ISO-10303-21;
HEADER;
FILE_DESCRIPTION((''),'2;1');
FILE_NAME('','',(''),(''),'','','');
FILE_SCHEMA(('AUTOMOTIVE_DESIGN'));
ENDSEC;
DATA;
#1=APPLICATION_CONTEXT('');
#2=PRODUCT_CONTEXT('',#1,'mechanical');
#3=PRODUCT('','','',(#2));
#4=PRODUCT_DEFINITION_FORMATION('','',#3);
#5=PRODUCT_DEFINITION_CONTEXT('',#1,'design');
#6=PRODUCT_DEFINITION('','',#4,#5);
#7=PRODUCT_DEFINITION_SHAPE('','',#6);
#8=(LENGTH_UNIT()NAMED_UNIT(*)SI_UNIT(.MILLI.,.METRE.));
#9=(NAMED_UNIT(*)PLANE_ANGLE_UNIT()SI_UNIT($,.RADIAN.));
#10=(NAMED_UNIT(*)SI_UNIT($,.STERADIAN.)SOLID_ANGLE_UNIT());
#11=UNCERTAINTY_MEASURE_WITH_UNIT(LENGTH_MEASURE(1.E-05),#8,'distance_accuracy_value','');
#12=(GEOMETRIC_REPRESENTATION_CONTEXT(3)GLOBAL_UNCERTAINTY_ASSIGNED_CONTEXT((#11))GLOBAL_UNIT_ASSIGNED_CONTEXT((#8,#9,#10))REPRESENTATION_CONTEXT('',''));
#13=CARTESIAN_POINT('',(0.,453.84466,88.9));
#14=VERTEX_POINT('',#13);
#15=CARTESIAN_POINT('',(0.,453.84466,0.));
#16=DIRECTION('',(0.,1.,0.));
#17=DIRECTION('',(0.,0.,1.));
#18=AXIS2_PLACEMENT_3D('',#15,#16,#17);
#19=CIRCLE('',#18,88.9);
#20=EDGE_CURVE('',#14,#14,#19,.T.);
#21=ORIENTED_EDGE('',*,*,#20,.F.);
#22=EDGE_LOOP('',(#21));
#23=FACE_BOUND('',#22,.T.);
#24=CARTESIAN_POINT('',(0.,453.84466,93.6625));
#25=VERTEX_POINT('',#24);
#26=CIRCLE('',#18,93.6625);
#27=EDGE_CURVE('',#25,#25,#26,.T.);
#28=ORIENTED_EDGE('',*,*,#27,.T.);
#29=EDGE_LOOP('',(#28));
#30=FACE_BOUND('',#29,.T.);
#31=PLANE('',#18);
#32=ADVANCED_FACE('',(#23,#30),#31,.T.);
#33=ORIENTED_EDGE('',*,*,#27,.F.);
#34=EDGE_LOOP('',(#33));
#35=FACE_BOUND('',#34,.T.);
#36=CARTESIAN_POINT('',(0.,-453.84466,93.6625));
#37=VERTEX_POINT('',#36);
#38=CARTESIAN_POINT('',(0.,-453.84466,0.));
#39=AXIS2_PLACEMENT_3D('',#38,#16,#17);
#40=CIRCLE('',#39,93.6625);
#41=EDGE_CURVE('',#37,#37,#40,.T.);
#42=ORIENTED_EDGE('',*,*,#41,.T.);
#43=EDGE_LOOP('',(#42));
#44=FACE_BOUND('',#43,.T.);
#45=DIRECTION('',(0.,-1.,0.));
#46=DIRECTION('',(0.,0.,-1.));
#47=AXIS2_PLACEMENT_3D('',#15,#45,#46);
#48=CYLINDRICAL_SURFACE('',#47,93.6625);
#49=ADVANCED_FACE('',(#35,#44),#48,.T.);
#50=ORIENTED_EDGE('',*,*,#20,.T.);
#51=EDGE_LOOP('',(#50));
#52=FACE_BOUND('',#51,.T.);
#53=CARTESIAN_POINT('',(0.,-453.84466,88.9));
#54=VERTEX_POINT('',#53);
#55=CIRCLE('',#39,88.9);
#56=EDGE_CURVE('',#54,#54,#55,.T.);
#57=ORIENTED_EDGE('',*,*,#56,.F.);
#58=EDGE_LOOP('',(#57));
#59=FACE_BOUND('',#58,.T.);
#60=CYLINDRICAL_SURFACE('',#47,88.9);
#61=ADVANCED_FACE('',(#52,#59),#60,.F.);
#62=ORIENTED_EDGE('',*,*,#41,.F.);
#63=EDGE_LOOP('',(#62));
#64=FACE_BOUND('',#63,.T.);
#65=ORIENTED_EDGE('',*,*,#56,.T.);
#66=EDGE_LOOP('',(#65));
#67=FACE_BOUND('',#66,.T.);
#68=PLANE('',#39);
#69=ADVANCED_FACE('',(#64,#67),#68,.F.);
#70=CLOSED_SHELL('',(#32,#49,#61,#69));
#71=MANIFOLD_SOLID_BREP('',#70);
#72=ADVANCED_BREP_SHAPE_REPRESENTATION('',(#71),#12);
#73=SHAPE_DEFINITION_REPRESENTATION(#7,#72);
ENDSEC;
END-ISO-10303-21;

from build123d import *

# Parameters (mm, degrees)
SKETCH1_R           = 93.6625
SKETCH1_R_2         = 88.9
BOSS_EXTRUDE1_DEPTH = 453.84466


with BuildPart() as part:
    # Sketch1 → Boss-Extrude1 (new body, symmetric)
    with BuildSketch(Plane(origin=(0, 0, 0), x_dir=(1, 0, 0), z_dir=(0, 1, 0))):
        Circle(SKETCH1_R)
        Circle(SKETCH1_R_2, mode=Mode.SUBTRACT)
    extrude(amount=BOSS_EXTRUDE1_DEPTH, both=True)


solid = part.part
